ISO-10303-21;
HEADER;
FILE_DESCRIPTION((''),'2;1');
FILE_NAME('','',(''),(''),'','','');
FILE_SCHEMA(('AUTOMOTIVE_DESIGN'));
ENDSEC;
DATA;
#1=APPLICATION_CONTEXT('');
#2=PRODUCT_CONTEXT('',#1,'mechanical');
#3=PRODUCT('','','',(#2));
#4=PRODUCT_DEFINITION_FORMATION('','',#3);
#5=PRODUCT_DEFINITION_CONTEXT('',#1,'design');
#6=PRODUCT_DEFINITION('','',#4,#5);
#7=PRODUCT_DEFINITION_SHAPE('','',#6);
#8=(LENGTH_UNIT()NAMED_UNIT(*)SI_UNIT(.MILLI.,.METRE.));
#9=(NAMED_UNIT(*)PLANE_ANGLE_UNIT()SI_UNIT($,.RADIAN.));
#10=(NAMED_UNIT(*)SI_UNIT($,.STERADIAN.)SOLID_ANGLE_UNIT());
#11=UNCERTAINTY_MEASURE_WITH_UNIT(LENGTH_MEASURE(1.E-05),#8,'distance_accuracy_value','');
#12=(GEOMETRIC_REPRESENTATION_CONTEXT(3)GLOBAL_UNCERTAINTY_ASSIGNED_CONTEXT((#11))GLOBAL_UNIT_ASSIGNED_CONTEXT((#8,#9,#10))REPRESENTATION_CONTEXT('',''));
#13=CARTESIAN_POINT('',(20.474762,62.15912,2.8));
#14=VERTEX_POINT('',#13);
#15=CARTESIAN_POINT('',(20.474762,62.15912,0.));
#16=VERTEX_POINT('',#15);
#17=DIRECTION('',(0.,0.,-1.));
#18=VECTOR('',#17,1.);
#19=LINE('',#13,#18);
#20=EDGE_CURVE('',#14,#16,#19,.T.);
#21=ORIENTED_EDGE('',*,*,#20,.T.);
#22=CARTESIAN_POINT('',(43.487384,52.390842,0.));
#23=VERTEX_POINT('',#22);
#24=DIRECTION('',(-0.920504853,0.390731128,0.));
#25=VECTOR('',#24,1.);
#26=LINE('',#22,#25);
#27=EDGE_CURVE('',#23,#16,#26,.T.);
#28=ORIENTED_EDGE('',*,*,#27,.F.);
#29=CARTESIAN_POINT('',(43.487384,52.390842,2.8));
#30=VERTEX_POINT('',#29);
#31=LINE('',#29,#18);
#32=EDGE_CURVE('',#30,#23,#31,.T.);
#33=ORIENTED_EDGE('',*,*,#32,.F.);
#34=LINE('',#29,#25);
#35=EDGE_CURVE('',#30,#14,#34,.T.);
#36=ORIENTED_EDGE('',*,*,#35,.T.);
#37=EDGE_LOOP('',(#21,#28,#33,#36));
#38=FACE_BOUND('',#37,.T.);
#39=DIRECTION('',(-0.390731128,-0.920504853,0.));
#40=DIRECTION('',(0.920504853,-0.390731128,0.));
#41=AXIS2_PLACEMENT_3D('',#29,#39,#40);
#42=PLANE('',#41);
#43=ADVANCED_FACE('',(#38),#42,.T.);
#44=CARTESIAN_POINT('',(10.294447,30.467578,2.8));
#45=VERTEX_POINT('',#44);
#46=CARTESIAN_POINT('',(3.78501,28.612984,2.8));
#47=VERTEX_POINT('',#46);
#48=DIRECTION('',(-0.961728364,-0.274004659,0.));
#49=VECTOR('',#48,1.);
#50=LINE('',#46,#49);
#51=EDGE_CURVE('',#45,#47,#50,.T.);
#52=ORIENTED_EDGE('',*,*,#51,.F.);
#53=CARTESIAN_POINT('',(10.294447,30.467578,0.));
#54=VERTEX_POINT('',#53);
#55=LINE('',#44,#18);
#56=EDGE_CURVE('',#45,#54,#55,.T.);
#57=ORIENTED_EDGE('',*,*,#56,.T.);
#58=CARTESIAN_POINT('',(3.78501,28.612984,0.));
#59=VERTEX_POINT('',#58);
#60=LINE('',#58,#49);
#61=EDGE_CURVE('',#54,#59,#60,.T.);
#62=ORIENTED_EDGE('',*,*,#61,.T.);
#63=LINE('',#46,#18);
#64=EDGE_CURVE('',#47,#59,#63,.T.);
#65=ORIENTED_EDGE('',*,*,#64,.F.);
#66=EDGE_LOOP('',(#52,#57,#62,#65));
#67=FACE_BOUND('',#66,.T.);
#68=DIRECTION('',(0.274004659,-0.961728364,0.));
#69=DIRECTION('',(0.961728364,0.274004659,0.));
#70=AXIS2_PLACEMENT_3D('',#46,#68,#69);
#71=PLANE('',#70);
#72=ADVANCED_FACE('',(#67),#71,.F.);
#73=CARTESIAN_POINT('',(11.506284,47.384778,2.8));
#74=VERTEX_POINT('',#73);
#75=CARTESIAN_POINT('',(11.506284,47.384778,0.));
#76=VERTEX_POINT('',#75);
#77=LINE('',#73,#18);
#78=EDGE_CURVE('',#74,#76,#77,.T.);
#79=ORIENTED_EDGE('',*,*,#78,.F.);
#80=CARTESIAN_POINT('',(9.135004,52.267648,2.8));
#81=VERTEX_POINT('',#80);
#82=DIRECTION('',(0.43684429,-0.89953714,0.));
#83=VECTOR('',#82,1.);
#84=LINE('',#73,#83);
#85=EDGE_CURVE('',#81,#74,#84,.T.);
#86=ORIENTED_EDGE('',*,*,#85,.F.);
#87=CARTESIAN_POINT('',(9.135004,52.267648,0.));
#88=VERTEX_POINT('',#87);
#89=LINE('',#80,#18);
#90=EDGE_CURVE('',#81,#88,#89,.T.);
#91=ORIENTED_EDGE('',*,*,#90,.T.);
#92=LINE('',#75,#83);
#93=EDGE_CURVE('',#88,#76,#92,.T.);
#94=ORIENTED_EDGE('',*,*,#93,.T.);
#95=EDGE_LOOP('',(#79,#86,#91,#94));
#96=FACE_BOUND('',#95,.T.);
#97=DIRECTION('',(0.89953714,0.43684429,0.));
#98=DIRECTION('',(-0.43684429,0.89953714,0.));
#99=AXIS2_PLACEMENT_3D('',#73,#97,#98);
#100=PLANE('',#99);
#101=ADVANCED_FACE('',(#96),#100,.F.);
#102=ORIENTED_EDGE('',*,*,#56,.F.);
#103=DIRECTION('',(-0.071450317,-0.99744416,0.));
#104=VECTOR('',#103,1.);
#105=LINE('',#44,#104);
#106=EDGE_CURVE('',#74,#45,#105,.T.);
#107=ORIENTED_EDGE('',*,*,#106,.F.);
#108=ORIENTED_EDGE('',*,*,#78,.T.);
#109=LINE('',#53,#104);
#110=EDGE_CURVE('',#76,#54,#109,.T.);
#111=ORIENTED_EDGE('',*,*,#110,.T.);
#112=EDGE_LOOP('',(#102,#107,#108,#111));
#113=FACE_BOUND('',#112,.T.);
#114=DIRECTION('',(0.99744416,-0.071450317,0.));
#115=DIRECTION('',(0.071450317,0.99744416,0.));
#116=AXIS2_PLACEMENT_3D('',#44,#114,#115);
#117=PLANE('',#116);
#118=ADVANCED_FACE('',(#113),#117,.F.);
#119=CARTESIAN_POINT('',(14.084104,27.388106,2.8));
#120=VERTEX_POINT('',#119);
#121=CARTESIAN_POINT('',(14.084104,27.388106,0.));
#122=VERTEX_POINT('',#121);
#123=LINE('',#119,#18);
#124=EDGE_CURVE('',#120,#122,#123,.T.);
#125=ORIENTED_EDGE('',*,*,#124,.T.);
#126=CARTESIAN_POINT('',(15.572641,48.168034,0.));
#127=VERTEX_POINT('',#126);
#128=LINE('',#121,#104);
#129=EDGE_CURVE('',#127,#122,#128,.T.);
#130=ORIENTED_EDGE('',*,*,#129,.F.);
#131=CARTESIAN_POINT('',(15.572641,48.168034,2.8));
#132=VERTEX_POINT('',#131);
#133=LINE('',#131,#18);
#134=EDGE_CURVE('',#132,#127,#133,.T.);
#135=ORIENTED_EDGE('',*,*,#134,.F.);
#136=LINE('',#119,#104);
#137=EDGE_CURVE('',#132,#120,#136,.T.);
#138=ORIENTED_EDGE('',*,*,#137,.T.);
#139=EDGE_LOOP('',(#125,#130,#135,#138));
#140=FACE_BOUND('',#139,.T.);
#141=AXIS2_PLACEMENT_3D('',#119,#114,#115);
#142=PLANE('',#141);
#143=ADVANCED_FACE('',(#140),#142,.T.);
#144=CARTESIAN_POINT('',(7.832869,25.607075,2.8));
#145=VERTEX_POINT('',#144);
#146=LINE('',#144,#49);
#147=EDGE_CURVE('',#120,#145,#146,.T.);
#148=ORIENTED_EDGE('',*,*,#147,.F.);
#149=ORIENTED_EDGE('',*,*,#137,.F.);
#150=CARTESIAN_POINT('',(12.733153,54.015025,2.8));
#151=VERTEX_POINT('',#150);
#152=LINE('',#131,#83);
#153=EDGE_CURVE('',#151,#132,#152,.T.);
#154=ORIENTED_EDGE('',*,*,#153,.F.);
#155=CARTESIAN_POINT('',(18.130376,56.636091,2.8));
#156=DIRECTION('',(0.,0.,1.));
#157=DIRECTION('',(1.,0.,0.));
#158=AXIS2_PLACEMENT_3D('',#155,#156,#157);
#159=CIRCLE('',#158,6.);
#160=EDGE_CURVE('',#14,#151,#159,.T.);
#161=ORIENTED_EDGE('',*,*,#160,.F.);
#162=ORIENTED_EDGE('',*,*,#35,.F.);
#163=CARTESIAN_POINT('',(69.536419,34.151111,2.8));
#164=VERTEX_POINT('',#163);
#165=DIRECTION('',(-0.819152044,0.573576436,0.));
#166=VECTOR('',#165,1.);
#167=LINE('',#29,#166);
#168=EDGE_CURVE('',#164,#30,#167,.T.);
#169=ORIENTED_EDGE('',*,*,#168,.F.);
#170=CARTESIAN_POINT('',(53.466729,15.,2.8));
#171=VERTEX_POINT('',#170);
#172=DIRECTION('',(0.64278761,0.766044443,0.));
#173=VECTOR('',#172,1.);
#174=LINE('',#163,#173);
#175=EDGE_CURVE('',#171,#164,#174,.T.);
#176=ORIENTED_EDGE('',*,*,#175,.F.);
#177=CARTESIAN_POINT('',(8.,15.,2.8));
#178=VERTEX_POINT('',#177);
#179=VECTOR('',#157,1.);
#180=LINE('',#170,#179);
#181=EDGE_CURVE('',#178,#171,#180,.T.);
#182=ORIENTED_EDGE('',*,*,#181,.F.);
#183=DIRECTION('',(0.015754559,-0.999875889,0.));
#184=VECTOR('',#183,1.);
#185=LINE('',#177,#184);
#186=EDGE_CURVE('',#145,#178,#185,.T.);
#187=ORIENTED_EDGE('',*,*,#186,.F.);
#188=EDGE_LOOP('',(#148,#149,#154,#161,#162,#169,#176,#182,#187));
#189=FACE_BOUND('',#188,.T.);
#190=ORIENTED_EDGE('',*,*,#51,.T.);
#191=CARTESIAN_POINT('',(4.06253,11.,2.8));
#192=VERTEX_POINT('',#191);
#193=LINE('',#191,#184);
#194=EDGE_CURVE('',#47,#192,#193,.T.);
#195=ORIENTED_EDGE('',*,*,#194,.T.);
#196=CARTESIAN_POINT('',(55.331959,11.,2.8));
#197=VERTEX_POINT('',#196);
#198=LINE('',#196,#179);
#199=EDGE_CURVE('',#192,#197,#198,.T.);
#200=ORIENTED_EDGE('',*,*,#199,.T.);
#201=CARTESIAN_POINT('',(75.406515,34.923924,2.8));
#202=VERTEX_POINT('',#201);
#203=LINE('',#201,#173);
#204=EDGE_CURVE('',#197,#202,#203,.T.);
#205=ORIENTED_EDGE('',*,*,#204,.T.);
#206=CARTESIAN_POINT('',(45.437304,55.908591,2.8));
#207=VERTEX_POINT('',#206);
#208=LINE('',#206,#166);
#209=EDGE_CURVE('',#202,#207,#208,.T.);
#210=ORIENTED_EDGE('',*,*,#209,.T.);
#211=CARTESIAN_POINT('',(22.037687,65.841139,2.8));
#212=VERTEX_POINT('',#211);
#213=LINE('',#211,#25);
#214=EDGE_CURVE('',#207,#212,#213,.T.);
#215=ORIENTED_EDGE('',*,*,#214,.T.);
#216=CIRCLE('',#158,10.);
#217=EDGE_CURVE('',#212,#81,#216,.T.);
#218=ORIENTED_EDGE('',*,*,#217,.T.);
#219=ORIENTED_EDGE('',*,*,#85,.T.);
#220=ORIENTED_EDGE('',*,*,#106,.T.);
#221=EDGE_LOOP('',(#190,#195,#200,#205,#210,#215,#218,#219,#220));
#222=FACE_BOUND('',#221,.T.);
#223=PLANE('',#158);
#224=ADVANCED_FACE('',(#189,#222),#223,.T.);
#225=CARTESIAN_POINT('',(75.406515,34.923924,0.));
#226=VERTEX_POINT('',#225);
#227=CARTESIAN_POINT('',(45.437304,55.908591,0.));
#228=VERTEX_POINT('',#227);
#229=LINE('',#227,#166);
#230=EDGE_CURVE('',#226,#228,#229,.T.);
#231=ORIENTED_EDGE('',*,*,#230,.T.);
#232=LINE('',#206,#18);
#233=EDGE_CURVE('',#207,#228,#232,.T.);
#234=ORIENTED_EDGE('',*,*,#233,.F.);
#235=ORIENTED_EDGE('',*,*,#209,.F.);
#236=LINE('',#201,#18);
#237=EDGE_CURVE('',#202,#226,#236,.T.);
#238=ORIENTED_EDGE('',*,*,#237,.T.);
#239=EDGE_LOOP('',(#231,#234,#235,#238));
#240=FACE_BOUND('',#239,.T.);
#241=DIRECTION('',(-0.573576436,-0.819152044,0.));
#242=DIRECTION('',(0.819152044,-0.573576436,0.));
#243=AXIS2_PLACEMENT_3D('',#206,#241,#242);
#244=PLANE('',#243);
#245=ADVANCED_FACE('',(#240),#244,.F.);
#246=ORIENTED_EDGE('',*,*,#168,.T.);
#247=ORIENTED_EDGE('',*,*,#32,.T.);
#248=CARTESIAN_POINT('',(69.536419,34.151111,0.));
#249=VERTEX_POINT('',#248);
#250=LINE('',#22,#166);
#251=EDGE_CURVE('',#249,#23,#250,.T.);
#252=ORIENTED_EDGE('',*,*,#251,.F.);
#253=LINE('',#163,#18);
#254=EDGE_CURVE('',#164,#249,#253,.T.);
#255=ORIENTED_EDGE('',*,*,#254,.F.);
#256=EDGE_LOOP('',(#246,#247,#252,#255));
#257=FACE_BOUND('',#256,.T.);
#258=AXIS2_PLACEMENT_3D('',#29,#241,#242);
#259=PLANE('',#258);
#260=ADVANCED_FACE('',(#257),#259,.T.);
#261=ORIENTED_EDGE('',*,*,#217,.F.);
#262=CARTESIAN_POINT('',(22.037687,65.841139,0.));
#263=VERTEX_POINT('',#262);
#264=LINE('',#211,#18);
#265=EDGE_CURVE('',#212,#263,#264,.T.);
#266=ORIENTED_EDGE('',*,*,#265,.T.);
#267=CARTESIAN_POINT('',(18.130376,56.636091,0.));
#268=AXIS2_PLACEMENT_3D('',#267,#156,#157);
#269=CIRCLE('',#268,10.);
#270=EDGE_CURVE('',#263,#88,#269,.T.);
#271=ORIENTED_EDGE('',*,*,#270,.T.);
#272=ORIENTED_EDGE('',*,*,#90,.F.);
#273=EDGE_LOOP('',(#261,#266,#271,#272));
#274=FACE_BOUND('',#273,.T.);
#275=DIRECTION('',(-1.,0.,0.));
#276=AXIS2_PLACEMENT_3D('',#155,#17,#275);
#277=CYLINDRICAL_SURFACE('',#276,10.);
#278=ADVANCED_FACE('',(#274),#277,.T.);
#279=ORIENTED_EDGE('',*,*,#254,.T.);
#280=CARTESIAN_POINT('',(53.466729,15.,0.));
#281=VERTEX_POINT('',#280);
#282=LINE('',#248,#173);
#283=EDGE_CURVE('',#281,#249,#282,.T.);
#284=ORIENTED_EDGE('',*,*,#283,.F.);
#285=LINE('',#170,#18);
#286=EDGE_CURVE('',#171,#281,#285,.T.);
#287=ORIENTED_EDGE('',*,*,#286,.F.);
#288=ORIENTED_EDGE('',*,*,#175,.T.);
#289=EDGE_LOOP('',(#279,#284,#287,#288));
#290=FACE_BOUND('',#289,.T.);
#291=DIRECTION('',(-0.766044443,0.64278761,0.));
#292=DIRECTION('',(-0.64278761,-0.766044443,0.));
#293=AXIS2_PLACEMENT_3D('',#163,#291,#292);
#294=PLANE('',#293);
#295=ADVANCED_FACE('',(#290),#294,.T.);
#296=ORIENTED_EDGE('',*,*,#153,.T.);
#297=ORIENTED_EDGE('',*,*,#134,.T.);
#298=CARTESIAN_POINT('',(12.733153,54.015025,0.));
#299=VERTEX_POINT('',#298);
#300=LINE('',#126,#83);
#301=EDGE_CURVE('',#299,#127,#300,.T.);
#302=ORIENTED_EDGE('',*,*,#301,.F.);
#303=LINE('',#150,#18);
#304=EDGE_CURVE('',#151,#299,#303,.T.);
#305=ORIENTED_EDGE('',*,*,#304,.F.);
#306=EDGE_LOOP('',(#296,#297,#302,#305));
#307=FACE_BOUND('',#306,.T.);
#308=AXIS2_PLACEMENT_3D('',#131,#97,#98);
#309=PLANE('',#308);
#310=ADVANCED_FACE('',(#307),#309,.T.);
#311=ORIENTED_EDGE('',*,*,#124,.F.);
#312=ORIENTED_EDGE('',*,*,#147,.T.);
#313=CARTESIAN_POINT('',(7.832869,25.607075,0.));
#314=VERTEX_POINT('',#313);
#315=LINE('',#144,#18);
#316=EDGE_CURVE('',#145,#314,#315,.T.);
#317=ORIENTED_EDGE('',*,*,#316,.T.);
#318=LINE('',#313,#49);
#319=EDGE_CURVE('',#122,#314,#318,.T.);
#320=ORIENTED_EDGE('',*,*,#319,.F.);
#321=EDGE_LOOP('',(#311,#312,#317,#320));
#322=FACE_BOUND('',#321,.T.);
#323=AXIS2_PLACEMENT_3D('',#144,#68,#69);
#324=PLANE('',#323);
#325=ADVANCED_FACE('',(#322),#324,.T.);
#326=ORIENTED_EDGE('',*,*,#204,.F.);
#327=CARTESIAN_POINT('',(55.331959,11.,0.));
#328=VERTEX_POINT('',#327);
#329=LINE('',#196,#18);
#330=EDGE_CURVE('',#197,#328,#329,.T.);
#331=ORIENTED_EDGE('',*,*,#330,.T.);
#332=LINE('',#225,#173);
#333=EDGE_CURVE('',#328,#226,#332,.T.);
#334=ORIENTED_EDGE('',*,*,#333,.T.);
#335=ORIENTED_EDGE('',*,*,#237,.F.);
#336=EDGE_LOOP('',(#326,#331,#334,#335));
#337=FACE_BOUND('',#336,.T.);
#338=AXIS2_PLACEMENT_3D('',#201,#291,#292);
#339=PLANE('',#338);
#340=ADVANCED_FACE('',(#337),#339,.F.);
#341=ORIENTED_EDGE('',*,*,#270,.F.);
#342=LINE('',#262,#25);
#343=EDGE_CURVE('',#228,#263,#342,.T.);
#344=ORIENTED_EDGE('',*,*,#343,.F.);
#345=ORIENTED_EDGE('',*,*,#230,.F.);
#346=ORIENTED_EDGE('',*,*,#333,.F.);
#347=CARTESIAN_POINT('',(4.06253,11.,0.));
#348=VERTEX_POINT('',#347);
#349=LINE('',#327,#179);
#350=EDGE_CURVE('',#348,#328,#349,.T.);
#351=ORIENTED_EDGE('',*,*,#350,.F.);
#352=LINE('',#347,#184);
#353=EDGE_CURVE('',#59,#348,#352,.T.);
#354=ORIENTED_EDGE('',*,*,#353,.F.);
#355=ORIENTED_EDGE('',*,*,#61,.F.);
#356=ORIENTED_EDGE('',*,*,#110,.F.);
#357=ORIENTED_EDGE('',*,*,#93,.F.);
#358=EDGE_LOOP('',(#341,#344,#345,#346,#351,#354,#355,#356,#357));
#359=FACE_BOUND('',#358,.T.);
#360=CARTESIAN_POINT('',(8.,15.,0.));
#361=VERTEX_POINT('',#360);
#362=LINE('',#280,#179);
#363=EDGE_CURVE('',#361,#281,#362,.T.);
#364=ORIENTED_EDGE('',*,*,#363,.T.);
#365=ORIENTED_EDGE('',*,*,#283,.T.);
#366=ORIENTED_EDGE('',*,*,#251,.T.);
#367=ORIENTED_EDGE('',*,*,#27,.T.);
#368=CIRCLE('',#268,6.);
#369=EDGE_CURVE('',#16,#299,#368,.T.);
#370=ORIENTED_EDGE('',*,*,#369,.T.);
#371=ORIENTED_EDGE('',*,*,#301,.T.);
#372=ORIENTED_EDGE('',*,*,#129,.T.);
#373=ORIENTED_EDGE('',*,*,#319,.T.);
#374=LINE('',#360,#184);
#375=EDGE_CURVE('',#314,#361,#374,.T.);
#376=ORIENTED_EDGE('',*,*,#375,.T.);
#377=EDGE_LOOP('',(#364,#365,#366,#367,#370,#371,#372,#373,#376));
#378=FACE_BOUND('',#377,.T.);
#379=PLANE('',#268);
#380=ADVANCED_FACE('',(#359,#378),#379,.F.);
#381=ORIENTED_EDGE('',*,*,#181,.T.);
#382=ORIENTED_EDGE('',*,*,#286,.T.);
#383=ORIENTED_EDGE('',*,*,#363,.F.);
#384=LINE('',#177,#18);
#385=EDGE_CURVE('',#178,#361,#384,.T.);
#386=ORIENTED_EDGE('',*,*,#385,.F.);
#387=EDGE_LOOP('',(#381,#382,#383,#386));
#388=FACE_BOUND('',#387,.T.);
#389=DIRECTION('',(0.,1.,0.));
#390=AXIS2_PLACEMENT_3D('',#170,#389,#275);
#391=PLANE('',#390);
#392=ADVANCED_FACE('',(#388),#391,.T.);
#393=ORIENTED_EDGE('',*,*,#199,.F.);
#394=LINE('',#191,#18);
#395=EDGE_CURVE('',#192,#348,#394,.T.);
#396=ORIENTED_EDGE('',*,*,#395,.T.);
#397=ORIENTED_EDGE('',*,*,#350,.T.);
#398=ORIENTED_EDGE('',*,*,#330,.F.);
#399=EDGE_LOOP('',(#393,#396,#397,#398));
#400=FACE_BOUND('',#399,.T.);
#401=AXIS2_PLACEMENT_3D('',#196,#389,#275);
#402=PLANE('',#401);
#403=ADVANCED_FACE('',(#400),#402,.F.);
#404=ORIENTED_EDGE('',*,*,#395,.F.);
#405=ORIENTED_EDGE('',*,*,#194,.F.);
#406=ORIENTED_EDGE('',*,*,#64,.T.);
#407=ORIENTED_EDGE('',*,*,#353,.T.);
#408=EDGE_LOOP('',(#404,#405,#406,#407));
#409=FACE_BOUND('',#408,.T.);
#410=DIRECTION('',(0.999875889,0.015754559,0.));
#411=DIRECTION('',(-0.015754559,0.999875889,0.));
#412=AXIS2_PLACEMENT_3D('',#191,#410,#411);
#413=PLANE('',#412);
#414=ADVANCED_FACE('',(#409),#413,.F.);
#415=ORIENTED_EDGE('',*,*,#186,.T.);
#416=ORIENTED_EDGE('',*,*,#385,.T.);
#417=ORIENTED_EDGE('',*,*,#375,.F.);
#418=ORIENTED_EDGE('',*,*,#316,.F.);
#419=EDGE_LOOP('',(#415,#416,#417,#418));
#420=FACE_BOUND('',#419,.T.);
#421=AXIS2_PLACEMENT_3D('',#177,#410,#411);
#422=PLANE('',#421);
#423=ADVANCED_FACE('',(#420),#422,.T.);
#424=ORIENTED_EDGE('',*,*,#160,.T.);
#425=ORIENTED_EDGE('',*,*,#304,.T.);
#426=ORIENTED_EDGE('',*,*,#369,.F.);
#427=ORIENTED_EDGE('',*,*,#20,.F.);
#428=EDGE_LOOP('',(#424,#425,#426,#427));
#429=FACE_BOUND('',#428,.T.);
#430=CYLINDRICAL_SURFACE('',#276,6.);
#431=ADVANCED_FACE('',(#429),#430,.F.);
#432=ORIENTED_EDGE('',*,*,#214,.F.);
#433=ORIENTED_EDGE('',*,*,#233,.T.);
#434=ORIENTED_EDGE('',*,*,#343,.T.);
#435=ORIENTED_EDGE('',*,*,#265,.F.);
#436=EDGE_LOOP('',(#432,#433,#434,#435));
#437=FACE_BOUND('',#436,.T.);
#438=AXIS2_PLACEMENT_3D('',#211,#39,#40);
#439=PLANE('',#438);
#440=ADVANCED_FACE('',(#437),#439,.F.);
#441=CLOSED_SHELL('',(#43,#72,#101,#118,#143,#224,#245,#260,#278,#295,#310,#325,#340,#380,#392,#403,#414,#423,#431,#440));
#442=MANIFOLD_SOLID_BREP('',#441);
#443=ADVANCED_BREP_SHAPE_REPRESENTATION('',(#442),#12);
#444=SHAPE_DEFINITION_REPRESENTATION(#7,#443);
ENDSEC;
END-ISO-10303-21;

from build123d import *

# Parameters (mm, degrees)
BOSS_EXTRUDE1_DEPTH = 2.8


with BuildPart() as part:
    # Sketch1 → Boss-Extrude1 (new body)
    with BuildSketch(Plane.XY):
        with BuildLine():
            Line((22.037686993, 65.84113938), (45.437304164, 55.908591182))
            Line((45.437304164, 55.908591182), (75.406514927, 34.923923891))
            Line((75.406514927, 34.923923891), (55.331959214, 11))
            Line((55.331959214, 11), (4.062529555, 11))
            Line((4.062529555, 11), (3.78501031, 28.61298402))
            Line((3.78501031, 28.61298402), (10.294447393, 30.467578469))
            Line((10.294447393, 30.467578469), (11.506283895, 47.384777536))
            Line((11.506283895, 47.384777536), (9.135004308, 52.267647945))
            ThreePointArc((9.135004308, 52.267647945), (10.882479022, 63.525792844), (22.037686993, 65.84113938))
        make_face()
        with BuildLine():
            Line((43.487383815, 52.390841754), (69.536418824, 34.151111078))
            Line((69.536418824, 34.151111078), (53.466728581, 15))
            Line((53.466728581, 15), (8, 15))
            Line((8, 15), (7.832869461, 25.60707524))
            Line((7.832869461, 25.60707524), (14.08410383, 27.388105521))
            Line((14.08410383, 27.388105521), (15.572640754, 48.168033695))
            Line((15.572640754, 48.168033695), (12.733152868, 54.015025105))
            ThreePointArc((12.733152868, 54.015025105), (13.781637696, 60.769912045), (20.474762479, 62.159119966))
            Line((20.474762479, 62.159119966), (43.487383815, 52.390841754))
        make_face(mode=Mode.SUBTRACT)
    extrude(amount=BOSS_EXTRUDE1_DEPTH)


solid = part.part
